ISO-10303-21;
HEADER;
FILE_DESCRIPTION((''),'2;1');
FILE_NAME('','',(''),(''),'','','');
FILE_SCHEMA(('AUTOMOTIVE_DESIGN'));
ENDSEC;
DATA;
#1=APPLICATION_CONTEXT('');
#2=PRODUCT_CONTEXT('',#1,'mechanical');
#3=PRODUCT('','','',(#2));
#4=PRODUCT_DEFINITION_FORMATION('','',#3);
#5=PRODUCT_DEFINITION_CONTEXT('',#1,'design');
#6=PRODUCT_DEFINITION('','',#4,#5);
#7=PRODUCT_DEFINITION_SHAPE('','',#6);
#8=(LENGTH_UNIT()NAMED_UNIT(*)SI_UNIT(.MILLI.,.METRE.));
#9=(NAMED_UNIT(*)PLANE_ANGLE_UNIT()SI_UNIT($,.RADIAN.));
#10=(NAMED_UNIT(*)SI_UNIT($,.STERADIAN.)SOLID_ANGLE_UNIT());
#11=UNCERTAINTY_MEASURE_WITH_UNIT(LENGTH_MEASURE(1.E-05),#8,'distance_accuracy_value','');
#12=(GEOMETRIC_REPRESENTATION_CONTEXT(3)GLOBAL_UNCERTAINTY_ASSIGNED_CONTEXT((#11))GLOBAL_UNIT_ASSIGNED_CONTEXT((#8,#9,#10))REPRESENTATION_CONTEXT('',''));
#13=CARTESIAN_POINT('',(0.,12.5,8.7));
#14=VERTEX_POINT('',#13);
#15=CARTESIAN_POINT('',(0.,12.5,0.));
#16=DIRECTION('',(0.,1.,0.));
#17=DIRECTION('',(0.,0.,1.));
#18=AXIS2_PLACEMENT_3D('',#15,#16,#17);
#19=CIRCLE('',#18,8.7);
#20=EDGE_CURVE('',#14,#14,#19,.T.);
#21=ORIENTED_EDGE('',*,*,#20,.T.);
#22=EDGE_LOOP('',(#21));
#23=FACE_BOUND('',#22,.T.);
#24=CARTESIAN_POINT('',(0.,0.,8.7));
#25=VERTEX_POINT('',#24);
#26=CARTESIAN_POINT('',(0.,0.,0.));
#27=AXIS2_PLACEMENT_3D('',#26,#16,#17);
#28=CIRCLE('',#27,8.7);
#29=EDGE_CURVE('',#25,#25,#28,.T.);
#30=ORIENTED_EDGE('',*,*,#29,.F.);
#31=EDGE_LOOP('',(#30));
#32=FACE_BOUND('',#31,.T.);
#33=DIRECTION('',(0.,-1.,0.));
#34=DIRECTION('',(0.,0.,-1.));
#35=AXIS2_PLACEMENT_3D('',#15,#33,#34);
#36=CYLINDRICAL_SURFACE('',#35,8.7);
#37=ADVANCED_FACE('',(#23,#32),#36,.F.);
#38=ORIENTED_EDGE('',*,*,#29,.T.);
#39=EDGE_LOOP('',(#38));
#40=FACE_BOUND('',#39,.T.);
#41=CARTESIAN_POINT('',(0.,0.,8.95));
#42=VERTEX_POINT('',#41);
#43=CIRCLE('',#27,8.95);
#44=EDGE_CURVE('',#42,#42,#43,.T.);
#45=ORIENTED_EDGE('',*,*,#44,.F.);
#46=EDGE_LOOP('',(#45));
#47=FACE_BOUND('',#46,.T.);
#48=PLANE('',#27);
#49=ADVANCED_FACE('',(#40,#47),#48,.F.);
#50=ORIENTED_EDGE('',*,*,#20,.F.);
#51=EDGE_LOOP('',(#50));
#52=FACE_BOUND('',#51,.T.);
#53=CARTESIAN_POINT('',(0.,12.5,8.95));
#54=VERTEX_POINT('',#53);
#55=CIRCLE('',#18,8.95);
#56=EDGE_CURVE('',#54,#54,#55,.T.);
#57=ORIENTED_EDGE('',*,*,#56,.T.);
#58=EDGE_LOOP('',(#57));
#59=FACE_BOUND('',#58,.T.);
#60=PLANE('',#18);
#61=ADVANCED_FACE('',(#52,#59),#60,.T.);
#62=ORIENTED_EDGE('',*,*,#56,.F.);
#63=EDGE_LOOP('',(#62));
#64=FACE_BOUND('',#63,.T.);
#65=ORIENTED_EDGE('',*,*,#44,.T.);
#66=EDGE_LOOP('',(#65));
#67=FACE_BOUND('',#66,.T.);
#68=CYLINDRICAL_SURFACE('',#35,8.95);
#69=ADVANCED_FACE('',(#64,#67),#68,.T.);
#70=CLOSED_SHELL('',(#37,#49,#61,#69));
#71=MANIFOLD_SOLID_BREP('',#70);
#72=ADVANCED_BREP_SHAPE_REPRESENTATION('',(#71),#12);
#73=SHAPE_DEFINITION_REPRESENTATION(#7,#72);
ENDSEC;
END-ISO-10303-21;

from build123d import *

# Parameters (mm, degrees)
SKETCH1_R           = 8.95
SKETCH1_R_2         = 8.7
BOSS_EXTRUDE1_DEPTH = 12.5


with BuildPart() as part:
    # Sketch1 → Boss-Extrude1 (new body)
    with BuildSketch(Plane(origin=(0, 0, 0), x_dir=(1, 0, 0), z_dir=(0, 1, 0))):
        Circle(SKETCH1_R)
        Circle(SKETCH1_R_2, mode=Mode.SUBTRACT)
    extrude(amount=BOSS_EXTRUDE1_DEPTH)


solid = part.part
